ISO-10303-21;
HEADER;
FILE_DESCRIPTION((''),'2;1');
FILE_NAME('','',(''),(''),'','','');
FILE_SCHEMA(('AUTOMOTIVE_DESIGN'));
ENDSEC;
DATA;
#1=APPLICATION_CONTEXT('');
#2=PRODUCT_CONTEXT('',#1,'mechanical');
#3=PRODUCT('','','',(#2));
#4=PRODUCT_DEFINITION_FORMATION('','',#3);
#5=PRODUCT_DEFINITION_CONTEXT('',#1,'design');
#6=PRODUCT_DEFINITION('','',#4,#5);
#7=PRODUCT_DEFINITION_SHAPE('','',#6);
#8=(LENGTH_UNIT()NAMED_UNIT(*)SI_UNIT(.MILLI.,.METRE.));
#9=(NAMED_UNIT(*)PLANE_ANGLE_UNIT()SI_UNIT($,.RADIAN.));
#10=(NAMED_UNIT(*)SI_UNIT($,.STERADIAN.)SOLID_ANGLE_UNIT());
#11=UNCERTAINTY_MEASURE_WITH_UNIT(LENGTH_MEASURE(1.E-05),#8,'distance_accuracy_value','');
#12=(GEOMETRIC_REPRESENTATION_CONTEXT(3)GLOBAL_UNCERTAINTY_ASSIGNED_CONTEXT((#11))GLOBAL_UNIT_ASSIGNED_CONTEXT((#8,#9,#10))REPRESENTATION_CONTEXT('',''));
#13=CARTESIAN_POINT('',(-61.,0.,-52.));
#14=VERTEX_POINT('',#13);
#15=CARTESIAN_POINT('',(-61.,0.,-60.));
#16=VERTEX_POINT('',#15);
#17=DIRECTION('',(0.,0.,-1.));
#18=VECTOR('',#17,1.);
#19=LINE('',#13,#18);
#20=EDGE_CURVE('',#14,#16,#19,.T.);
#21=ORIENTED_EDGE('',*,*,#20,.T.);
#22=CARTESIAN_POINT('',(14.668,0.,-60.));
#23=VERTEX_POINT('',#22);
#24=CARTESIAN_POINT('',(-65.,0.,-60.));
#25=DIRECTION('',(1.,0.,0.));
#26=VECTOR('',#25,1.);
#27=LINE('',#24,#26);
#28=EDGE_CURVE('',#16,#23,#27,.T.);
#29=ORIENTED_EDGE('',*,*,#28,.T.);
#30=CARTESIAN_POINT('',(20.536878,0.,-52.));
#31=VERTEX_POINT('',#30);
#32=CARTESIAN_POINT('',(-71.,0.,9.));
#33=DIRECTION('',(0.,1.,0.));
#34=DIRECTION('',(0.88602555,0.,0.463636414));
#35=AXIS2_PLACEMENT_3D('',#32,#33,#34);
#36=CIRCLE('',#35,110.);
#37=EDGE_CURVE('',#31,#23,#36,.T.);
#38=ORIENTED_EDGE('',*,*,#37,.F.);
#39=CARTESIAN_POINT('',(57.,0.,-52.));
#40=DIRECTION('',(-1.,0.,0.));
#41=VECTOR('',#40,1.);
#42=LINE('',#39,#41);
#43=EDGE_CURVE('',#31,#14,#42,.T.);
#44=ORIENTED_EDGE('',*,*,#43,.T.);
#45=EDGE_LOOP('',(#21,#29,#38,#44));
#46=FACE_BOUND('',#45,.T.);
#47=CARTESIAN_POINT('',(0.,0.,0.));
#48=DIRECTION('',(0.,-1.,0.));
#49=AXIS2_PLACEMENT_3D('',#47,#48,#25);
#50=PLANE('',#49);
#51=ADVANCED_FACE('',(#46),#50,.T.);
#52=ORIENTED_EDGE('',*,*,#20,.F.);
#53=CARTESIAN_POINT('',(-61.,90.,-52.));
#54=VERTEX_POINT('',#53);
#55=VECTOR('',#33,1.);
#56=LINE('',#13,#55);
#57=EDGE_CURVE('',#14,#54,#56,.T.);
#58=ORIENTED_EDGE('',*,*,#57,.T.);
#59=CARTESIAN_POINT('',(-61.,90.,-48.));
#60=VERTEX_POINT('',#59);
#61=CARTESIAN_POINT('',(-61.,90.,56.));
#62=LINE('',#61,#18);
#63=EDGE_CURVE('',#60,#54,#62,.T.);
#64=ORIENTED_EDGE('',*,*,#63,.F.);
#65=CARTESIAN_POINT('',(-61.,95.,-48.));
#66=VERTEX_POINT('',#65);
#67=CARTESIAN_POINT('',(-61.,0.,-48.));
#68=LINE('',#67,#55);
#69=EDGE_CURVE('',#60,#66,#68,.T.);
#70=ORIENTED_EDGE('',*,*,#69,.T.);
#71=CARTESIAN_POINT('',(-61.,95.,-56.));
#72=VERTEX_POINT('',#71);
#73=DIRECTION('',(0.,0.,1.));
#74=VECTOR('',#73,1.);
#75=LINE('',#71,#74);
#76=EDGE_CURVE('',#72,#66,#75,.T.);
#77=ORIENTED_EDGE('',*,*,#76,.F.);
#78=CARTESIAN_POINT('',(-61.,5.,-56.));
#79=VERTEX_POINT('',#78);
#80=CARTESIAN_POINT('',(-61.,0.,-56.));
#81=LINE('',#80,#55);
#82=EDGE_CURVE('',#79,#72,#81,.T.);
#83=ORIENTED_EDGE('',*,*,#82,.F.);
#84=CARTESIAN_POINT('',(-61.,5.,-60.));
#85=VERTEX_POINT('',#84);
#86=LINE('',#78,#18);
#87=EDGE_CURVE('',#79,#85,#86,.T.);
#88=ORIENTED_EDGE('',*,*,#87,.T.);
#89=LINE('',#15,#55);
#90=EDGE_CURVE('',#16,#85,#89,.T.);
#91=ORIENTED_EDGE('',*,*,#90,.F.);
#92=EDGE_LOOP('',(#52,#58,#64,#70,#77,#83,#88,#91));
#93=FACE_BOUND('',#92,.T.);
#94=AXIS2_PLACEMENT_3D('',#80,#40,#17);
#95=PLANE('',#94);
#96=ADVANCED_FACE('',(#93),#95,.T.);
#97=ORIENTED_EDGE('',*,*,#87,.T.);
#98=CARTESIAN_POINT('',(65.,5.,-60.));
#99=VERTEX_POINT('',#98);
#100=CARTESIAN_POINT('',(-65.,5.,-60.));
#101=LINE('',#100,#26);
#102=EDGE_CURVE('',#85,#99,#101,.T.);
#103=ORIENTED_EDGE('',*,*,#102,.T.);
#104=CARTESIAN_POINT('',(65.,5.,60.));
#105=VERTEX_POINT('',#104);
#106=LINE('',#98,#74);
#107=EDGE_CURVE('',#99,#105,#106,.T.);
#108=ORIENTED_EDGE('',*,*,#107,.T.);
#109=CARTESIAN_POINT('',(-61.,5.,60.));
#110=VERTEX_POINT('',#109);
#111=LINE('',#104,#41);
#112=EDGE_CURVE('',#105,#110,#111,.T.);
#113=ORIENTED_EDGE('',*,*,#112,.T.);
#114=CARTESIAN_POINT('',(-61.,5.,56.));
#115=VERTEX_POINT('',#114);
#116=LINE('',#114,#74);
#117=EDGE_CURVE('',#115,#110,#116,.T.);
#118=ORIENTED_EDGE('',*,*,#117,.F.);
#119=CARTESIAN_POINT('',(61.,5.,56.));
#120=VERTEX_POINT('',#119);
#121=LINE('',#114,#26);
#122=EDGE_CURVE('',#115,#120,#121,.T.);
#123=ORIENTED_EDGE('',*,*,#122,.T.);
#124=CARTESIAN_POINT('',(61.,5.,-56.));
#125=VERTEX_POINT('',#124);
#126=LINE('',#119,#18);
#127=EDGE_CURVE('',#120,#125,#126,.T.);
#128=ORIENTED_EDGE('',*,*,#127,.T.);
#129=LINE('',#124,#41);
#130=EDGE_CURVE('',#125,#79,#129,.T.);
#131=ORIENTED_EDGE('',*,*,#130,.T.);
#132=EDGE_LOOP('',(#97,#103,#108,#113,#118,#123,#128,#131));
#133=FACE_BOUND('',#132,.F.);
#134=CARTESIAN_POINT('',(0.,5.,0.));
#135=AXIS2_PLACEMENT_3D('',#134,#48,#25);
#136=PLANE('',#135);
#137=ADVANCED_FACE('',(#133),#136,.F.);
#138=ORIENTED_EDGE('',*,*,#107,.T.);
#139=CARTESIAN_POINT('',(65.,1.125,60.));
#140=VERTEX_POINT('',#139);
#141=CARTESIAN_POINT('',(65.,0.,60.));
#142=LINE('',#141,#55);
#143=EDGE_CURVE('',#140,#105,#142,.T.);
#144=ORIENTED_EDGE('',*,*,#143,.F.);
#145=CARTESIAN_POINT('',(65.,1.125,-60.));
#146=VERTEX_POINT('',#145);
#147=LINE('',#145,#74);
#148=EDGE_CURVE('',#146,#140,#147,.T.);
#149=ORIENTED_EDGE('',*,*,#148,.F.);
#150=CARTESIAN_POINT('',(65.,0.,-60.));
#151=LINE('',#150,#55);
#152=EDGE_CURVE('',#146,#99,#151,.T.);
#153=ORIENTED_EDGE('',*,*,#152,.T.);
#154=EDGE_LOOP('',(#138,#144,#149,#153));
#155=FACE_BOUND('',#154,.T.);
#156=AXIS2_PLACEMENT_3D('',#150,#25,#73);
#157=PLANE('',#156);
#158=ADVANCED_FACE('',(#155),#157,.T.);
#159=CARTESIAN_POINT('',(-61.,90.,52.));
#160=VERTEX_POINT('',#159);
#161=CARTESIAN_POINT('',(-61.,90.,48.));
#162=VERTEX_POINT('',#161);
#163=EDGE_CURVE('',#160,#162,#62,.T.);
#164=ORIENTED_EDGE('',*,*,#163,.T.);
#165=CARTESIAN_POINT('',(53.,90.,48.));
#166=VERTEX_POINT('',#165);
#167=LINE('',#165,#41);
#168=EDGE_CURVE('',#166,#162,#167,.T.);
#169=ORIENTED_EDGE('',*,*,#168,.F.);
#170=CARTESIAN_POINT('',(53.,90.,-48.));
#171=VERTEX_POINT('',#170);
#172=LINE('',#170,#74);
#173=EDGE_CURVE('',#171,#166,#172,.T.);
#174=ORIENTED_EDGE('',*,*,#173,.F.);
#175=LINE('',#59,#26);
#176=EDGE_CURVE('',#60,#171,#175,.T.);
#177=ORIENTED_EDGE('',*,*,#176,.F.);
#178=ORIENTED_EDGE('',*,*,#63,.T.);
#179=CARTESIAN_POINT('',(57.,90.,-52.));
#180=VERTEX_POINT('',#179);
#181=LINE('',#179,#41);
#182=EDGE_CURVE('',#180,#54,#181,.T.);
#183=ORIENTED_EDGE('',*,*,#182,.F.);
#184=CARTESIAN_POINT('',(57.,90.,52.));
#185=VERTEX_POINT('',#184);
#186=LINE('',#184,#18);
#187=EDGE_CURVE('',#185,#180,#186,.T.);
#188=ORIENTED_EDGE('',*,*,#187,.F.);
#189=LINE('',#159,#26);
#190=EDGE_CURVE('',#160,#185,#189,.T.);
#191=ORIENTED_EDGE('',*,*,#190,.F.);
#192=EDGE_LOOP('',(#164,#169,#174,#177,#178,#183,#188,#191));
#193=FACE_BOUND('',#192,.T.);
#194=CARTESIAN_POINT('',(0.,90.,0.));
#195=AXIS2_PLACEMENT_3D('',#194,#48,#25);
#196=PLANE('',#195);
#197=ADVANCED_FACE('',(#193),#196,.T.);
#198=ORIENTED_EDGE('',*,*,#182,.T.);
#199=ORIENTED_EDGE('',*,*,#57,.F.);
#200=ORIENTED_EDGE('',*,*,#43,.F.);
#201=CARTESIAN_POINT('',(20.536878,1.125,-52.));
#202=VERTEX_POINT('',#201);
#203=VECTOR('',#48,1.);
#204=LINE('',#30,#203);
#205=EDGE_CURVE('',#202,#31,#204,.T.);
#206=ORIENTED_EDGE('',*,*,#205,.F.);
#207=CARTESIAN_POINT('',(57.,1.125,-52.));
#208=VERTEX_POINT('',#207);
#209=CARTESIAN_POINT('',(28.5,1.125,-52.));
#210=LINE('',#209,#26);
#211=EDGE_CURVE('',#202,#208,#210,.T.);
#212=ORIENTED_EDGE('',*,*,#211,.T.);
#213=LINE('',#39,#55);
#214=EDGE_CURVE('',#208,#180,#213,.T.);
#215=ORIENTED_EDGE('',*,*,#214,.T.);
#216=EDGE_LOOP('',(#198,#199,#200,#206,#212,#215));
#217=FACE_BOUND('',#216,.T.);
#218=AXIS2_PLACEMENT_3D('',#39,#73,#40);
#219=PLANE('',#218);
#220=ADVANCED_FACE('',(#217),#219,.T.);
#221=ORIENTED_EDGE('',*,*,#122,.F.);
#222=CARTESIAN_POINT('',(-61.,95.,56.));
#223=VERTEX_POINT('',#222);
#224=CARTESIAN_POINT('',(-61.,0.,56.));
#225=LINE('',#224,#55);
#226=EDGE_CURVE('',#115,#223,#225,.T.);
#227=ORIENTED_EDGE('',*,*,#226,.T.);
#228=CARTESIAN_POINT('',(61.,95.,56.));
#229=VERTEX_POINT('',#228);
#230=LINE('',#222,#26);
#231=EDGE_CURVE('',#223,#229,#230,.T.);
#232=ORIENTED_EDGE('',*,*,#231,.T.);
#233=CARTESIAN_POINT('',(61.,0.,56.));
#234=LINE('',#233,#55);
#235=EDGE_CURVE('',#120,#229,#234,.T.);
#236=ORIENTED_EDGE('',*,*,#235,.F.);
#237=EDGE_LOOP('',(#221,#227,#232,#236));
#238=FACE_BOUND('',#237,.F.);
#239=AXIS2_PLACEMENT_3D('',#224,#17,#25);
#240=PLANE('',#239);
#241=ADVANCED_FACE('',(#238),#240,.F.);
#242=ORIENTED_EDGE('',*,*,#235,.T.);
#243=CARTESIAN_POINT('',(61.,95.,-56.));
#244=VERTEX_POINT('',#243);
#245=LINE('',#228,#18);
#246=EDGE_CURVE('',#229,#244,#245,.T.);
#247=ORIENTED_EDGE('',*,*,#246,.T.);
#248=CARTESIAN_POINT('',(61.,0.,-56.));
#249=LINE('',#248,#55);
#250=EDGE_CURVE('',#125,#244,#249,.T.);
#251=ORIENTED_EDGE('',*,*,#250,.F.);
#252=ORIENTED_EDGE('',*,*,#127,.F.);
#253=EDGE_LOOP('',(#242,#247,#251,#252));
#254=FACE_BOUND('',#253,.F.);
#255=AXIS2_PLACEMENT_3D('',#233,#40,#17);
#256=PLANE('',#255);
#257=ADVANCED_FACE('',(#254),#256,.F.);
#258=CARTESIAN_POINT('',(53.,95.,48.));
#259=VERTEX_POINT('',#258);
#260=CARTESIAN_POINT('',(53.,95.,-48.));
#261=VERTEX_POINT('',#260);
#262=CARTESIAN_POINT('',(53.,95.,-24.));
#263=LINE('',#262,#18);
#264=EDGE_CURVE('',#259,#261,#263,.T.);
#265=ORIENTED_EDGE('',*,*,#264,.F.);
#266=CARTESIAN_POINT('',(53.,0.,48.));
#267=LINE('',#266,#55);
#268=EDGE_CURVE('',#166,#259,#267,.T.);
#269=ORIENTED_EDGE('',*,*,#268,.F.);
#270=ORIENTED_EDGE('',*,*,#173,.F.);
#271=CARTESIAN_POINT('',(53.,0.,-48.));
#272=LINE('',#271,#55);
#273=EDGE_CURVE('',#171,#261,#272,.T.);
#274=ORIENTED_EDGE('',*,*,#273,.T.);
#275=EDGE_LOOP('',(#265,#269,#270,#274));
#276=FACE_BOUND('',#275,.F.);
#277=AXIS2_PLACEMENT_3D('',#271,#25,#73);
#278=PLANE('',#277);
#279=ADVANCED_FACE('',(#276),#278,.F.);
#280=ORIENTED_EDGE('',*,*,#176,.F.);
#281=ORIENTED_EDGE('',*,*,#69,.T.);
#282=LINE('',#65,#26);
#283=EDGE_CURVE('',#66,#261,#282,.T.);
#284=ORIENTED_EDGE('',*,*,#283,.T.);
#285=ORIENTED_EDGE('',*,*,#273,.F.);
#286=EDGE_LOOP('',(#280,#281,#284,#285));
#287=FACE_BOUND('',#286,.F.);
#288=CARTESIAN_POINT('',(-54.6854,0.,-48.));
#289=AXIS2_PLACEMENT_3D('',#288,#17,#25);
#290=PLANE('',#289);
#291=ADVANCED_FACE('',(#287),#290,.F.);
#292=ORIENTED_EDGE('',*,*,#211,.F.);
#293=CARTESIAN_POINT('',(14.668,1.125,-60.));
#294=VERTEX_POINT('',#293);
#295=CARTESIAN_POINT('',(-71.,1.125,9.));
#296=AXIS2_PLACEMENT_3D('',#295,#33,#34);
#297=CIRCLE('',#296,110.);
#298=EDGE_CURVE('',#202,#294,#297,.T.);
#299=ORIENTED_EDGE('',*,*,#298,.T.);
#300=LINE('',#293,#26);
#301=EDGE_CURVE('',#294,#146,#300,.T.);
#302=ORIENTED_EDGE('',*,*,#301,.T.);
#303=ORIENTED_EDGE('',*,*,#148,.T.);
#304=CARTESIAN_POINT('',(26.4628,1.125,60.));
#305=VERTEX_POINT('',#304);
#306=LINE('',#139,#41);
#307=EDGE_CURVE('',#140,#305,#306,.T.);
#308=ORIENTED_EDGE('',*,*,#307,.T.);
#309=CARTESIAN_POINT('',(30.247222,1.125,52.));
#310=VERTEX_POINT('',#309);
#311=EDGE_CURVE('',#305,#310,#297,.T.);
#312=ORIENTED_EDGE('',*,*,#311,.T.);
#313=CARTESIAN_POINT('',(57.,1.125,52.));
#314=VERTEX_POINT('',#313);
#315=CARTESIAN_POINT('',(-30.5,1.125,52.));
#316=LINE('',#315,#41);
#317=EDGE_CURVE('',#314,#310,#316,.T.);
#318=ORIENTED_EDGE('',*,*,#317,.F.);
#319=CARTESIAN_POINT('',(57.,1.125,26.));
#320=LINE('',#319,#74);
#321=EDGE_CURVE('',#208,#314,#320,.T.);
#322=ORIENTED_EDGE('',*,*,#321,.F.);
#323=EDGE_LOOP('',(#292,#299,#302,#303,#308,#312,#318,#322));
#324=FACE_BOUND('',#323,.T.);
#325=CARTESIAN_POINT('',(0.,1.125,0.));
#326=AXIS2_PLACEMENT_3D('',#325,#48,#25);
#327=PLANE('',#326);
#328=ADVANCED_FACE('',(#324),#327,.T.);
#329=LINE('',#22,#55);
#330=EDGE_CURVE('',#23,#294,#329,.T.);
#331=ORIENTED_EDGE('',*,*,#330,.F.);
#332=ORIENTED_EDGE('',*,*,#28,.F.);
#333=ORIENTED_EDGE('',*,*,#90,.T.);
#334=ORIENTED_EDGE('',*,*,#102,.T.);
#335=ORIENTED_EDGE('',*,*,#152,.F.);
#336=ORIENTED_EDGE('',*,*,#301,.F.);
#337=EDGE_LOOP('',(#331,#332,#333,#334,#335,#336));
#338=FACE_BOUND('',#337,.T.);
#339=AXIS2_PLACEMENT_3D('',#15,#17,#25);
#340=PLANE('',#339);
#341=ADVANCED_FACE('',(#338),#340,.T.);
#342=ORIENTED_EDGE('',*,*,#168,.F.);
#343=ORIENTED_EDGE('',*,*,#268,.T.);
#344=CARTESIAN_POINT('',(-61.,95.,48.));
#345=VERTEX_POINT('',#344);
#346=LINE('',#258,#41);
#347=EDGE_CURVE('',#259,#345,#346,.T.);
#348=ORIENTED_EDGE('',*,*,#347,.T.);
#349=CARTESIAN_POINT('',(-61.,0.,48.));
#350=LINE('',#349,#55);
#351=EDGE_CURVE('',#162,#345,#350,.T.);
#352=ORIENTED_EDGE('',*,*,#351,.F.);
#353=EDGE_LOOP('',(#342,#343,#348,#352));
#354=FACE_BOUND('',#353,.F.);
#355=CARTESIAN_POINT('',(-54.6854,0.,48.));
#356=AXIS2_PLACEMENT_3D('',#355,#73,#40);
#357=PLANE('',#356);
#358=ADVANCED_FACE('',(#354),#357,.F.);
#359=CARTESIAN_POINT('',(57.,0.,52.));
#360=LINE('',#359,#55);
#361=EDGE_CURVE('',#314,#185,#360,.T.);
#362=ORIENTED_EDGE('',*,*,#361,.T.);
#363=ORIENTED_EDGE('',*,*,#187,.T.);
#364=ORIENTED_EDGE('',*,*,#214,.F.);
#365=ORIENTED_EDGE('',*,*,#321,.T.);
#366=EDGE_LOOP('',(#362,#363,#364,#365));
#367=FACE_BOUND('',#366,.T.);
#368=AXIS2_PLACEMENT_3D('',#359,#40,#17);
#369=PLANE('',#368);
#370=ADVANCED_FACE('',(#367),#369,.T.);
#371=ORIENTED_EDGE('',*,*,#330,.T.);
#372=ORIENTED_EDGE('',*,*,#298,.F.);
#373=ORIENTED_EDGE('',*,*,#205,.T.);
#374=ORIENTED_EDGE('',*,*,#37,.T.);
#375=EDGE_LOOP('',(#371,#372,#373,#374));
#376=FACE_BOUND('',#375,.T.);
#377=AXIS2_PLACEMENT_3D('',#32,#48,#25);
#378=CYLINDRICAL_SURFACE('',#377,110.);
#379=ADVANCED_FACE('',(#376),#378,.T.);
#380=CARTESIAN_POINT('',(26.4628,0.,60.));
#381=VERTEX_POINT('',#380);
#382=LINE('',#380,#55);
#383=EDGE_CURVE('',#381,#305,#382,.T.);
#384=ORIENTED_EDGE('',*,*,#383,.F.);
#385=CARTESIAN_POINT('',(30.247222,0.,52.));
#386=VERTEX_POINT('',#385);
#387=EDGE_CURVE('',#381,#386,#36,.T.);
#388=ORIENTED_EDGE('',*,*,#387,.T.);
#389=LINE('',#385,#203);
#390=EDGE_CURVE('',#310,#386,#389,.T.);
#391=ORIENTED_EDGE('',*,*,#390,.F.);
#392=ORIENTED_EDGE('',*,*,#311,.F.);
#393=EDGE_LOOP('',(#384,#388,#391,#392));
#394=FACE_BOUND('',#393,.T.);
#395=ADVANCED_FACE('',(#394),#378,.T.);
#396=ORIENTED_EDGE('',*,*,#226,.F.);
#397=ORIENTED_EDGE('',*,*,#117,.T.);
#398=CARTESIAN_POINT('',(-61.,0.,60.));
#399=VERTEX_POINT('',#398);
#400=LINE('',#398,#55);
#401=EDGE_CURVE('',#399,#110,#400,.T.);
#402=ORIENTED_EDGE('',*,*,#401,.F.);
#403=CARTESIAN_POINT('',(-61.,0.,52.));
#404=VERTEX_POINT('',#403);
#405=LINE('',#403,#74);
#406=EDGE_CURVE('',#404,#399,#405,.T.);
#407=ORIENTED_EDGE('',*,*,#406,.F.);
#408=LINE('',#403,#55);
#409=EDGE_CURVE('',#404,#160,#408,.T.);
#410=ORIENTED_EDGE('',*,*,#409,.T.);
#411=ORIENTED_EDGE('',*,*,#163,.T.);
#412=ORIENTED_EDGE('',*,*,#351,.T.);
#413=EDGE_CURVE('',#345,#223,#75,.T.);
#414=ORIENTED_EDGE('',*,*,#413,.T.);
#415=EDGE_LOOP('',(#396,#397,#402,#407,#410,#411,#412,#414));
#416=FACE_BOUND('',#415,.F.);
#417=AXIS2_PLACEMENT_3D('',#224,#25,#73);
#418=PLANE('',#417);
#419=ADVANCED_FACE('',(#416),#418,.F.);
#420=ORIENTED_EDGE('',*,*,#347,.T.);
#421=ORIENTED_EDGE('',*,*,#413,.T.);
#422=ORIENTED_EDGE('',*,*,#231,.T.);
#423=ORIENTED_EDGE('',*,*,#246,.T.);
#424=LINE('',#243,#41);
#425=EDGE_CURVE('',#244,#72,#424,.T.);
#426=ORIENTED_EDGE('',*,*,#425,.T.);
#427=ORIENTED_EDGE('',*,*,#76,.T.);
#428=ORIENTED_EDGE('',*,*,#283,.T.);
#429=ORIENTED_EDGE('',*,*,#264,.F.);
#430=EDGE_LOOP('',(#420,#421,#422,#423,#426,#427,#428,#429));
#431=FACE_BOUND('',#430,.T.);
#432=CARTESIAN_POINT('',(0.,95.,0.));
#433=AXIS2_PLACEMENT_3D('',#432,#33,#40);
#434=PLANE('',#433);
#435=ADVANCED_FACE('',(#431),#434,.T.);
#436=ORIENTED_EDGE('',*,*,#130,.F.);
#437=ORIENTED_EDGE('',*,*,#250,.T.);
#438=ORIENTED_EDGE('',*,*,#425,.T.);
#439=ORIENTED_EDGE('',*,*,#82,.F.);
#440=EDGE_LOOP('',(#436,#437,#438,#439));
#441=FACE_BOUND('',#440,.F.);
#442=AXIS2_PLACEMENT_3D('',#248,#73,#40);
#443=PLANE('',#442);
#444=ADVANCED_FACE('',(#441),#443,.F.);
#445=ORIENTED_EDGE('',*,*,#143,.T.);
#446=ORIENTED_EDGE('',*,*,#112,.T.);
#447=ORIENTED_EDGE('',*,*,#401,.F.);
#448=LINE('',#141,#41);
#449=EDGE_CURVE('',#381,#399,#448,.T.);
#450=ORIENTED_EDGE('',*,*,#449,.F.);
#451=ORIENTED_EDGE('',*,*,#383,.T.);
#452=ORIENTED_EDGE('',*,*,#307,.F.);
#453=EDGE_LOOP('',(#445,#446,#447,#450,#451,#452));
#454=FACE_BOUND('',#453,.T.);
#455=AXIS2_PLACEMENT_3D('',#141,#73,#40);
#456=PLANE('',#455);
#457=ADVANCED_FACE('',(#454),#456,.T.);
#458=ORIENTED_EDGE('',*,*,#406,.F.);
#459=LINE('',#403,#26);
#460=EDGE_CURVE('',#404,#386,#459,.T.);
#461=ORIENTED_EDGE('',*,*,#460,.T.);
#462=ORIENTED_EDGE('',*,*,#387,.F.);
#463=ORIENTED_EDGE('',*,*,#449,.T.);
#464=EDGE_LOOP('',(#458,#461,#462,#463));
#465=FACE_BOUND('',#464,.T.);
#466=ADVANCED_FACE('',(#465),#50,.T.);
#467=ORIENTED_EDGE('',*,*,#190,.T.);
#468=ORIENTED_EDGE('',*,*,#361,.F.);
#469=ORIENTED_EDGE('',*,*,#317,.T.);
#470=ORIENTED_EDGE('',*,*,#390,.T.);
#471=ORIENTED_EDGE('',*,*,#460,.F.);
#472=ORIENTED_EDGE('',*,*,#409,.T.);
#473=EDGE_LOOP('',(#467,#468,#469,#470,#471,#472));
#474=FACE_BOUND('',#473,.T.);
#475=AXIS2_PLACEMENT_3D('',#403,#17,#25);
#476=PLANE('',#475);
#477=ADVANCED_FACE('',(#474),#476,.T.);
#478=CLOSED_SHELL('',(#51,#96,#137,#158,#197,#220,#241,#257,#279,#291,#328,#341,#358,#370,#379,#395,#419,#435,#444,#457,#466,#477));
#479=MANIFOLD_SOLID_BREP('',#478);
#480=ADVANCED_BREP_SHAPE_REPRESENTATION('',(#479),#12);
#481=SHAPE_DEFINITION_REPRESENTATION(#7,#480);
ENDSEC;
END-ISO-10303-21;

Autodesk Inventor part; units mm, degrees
ref_plane "YZ Plane" through (0, 0, 0) normal (1, 0, 0) x (0, 1, 0)
ref_plane "XZ Plane" through (0, 0, 0) normal (0, 1, 0) x (-1, 0, 0)
ref_plane "XY Plane" through (0, 0, 0) normal (0, 0, 1) x (1, 0, 0)
sketch "Sketch8" plane through (0, 0, 0) normal (0, 1, 0) x (-1, 0, 0)
  line L0 (-61, -56) -> (61, -56)
  line L1 (61, -56) -> (61, 56)
  line L2 (61, 56) -> (-61, 56)
  line L3 (-61, 56) -> (-61, -56)
  line L4 (-61, -56) -> (61, 56) construction
  line L5 (61, -56) -> (-61, 56) construction
  point P0 (0, 0)
  dimension "d26" = 122
  dimension "d27" = 112
extrude "Extrusion7" add sketch "Sketch8" along normal blind 95
sketch "Sketch9" plane through (0, 0, 0) normal (0, -1, 0) x (1, 0, 0)
  line L0 (-61, 56) -> (61, 56) projected
  line L1 (-61, -56) -> (61, -56)
  line L2 (61, -56) -> (61, 56)
  line L3 (61, 56) -> (-61, 56)
  line L4 (-61, 56) -> (-61, -56)
  line L5 (-61, -56) -> (61, 56) construction
  line L6 (61, -56) -> (-61, 56) construction
  line L7 (57, 52) -> (57, -52)
  line L8 (57, -52) -> (-61, -52)
  line L9 (-61, 52) -> (57, 52)
  line L10 (53, -48) -> (53, 48)
  line L11 (53, 48) -> (-61, 48)
  line L12 (-61, -48) -> (53, -48)
  line L13 (-58.8844, -52) -> (-58.8844, -54.0578)
  line L14 (-58.8844, 54.0578) -> (-58.8844, 52)
  line L15 (-54.6854, 48) -> (-54.6854, 50.203)
  line L16 (-54.6854, -50.203) -> (-54.6854, -48)
  point P0 (0, 0)
  dimension "d30" = 4
  dimension "d31" = 4
  dimension "d47" = 4
  dimension "d48" = 4
  dimension "d49" = 4
  dimension "d50" = 4
extrude "Extrusion8" cut sketch "Sketch9" against normal blind 115 contours L11 L10 L12 L4
extrude "Extrusion9" cut sketch "Sketch9" against normal blind 90 contours L9 L7 L8 L4 L12 L10 L11
sketch "Sketch10" plane through (0, 0, 0) normal (0, -1, 0) x (1, 0, 0)
  line L0 (61, -56) -> (-61, -56)
  line L1 (-61, -56) -> (-61, 56)
  line L2 (-61, 56) -> (61, 56)
  line L3 (61, 56) -> (61, -56)
  line L4 (61, -56) -> (-61, 56) construction
  line L5 (-61, -56) -> (61, 56) construction
  line L6 (-65, 60) -> (-65, -60)
  line L7 (-65, -60) -> (65, -60)
  line L8 (65, -60) -> (65, 60)
  line L9 (65, 60) -> (-65, 60)
  line L10 (-61, 56) -> (-65, 56)
  line L11 (-61, -56) -> (-65, -56)
  line L12 (-61, 56) -> (-61, 60)
  line L13 (-61, -56) -> (-61, -60)
  point P0 (0, 0)
  dimension "d36" = 4
extrude "Extrusion10" add sketch "Sketch10" against normal blind 5 contours L3 L2 L12 L9 L8 L7 L13 L0
sketch "Sketch11" plane through (0, 0, 0) normal (0, -1, 0) x (1, 0, 0)
  circle A0 centre (-71, 9) radius 135
  line L0 (57, 52) -> (57, -52) projected
  line L1 (65, -60) -> (65, 60) projected
  circle A1 centre (-71, 9) radius 110
  line L2 (14.668, -60) -> (65, -60)
  line L3 (65, -60) -> (65, 60)
  line L4 (65, 60) -> (26.4628, 60)
  line L5 (-61, 60) -> (65, 60) projected
  point P0 (0, 0)
  dimension "d39" = 270
  dimension "d41" = 136
  dimension "d42" = 220
extrude "Extrusion11" cut sketch "Sketch11" against normal blind 1.125 contours A0 L0 | A0 L4 L1 L2 | L0 A0 L2 A1 L4
properties part number "Galvo Housing-01"
